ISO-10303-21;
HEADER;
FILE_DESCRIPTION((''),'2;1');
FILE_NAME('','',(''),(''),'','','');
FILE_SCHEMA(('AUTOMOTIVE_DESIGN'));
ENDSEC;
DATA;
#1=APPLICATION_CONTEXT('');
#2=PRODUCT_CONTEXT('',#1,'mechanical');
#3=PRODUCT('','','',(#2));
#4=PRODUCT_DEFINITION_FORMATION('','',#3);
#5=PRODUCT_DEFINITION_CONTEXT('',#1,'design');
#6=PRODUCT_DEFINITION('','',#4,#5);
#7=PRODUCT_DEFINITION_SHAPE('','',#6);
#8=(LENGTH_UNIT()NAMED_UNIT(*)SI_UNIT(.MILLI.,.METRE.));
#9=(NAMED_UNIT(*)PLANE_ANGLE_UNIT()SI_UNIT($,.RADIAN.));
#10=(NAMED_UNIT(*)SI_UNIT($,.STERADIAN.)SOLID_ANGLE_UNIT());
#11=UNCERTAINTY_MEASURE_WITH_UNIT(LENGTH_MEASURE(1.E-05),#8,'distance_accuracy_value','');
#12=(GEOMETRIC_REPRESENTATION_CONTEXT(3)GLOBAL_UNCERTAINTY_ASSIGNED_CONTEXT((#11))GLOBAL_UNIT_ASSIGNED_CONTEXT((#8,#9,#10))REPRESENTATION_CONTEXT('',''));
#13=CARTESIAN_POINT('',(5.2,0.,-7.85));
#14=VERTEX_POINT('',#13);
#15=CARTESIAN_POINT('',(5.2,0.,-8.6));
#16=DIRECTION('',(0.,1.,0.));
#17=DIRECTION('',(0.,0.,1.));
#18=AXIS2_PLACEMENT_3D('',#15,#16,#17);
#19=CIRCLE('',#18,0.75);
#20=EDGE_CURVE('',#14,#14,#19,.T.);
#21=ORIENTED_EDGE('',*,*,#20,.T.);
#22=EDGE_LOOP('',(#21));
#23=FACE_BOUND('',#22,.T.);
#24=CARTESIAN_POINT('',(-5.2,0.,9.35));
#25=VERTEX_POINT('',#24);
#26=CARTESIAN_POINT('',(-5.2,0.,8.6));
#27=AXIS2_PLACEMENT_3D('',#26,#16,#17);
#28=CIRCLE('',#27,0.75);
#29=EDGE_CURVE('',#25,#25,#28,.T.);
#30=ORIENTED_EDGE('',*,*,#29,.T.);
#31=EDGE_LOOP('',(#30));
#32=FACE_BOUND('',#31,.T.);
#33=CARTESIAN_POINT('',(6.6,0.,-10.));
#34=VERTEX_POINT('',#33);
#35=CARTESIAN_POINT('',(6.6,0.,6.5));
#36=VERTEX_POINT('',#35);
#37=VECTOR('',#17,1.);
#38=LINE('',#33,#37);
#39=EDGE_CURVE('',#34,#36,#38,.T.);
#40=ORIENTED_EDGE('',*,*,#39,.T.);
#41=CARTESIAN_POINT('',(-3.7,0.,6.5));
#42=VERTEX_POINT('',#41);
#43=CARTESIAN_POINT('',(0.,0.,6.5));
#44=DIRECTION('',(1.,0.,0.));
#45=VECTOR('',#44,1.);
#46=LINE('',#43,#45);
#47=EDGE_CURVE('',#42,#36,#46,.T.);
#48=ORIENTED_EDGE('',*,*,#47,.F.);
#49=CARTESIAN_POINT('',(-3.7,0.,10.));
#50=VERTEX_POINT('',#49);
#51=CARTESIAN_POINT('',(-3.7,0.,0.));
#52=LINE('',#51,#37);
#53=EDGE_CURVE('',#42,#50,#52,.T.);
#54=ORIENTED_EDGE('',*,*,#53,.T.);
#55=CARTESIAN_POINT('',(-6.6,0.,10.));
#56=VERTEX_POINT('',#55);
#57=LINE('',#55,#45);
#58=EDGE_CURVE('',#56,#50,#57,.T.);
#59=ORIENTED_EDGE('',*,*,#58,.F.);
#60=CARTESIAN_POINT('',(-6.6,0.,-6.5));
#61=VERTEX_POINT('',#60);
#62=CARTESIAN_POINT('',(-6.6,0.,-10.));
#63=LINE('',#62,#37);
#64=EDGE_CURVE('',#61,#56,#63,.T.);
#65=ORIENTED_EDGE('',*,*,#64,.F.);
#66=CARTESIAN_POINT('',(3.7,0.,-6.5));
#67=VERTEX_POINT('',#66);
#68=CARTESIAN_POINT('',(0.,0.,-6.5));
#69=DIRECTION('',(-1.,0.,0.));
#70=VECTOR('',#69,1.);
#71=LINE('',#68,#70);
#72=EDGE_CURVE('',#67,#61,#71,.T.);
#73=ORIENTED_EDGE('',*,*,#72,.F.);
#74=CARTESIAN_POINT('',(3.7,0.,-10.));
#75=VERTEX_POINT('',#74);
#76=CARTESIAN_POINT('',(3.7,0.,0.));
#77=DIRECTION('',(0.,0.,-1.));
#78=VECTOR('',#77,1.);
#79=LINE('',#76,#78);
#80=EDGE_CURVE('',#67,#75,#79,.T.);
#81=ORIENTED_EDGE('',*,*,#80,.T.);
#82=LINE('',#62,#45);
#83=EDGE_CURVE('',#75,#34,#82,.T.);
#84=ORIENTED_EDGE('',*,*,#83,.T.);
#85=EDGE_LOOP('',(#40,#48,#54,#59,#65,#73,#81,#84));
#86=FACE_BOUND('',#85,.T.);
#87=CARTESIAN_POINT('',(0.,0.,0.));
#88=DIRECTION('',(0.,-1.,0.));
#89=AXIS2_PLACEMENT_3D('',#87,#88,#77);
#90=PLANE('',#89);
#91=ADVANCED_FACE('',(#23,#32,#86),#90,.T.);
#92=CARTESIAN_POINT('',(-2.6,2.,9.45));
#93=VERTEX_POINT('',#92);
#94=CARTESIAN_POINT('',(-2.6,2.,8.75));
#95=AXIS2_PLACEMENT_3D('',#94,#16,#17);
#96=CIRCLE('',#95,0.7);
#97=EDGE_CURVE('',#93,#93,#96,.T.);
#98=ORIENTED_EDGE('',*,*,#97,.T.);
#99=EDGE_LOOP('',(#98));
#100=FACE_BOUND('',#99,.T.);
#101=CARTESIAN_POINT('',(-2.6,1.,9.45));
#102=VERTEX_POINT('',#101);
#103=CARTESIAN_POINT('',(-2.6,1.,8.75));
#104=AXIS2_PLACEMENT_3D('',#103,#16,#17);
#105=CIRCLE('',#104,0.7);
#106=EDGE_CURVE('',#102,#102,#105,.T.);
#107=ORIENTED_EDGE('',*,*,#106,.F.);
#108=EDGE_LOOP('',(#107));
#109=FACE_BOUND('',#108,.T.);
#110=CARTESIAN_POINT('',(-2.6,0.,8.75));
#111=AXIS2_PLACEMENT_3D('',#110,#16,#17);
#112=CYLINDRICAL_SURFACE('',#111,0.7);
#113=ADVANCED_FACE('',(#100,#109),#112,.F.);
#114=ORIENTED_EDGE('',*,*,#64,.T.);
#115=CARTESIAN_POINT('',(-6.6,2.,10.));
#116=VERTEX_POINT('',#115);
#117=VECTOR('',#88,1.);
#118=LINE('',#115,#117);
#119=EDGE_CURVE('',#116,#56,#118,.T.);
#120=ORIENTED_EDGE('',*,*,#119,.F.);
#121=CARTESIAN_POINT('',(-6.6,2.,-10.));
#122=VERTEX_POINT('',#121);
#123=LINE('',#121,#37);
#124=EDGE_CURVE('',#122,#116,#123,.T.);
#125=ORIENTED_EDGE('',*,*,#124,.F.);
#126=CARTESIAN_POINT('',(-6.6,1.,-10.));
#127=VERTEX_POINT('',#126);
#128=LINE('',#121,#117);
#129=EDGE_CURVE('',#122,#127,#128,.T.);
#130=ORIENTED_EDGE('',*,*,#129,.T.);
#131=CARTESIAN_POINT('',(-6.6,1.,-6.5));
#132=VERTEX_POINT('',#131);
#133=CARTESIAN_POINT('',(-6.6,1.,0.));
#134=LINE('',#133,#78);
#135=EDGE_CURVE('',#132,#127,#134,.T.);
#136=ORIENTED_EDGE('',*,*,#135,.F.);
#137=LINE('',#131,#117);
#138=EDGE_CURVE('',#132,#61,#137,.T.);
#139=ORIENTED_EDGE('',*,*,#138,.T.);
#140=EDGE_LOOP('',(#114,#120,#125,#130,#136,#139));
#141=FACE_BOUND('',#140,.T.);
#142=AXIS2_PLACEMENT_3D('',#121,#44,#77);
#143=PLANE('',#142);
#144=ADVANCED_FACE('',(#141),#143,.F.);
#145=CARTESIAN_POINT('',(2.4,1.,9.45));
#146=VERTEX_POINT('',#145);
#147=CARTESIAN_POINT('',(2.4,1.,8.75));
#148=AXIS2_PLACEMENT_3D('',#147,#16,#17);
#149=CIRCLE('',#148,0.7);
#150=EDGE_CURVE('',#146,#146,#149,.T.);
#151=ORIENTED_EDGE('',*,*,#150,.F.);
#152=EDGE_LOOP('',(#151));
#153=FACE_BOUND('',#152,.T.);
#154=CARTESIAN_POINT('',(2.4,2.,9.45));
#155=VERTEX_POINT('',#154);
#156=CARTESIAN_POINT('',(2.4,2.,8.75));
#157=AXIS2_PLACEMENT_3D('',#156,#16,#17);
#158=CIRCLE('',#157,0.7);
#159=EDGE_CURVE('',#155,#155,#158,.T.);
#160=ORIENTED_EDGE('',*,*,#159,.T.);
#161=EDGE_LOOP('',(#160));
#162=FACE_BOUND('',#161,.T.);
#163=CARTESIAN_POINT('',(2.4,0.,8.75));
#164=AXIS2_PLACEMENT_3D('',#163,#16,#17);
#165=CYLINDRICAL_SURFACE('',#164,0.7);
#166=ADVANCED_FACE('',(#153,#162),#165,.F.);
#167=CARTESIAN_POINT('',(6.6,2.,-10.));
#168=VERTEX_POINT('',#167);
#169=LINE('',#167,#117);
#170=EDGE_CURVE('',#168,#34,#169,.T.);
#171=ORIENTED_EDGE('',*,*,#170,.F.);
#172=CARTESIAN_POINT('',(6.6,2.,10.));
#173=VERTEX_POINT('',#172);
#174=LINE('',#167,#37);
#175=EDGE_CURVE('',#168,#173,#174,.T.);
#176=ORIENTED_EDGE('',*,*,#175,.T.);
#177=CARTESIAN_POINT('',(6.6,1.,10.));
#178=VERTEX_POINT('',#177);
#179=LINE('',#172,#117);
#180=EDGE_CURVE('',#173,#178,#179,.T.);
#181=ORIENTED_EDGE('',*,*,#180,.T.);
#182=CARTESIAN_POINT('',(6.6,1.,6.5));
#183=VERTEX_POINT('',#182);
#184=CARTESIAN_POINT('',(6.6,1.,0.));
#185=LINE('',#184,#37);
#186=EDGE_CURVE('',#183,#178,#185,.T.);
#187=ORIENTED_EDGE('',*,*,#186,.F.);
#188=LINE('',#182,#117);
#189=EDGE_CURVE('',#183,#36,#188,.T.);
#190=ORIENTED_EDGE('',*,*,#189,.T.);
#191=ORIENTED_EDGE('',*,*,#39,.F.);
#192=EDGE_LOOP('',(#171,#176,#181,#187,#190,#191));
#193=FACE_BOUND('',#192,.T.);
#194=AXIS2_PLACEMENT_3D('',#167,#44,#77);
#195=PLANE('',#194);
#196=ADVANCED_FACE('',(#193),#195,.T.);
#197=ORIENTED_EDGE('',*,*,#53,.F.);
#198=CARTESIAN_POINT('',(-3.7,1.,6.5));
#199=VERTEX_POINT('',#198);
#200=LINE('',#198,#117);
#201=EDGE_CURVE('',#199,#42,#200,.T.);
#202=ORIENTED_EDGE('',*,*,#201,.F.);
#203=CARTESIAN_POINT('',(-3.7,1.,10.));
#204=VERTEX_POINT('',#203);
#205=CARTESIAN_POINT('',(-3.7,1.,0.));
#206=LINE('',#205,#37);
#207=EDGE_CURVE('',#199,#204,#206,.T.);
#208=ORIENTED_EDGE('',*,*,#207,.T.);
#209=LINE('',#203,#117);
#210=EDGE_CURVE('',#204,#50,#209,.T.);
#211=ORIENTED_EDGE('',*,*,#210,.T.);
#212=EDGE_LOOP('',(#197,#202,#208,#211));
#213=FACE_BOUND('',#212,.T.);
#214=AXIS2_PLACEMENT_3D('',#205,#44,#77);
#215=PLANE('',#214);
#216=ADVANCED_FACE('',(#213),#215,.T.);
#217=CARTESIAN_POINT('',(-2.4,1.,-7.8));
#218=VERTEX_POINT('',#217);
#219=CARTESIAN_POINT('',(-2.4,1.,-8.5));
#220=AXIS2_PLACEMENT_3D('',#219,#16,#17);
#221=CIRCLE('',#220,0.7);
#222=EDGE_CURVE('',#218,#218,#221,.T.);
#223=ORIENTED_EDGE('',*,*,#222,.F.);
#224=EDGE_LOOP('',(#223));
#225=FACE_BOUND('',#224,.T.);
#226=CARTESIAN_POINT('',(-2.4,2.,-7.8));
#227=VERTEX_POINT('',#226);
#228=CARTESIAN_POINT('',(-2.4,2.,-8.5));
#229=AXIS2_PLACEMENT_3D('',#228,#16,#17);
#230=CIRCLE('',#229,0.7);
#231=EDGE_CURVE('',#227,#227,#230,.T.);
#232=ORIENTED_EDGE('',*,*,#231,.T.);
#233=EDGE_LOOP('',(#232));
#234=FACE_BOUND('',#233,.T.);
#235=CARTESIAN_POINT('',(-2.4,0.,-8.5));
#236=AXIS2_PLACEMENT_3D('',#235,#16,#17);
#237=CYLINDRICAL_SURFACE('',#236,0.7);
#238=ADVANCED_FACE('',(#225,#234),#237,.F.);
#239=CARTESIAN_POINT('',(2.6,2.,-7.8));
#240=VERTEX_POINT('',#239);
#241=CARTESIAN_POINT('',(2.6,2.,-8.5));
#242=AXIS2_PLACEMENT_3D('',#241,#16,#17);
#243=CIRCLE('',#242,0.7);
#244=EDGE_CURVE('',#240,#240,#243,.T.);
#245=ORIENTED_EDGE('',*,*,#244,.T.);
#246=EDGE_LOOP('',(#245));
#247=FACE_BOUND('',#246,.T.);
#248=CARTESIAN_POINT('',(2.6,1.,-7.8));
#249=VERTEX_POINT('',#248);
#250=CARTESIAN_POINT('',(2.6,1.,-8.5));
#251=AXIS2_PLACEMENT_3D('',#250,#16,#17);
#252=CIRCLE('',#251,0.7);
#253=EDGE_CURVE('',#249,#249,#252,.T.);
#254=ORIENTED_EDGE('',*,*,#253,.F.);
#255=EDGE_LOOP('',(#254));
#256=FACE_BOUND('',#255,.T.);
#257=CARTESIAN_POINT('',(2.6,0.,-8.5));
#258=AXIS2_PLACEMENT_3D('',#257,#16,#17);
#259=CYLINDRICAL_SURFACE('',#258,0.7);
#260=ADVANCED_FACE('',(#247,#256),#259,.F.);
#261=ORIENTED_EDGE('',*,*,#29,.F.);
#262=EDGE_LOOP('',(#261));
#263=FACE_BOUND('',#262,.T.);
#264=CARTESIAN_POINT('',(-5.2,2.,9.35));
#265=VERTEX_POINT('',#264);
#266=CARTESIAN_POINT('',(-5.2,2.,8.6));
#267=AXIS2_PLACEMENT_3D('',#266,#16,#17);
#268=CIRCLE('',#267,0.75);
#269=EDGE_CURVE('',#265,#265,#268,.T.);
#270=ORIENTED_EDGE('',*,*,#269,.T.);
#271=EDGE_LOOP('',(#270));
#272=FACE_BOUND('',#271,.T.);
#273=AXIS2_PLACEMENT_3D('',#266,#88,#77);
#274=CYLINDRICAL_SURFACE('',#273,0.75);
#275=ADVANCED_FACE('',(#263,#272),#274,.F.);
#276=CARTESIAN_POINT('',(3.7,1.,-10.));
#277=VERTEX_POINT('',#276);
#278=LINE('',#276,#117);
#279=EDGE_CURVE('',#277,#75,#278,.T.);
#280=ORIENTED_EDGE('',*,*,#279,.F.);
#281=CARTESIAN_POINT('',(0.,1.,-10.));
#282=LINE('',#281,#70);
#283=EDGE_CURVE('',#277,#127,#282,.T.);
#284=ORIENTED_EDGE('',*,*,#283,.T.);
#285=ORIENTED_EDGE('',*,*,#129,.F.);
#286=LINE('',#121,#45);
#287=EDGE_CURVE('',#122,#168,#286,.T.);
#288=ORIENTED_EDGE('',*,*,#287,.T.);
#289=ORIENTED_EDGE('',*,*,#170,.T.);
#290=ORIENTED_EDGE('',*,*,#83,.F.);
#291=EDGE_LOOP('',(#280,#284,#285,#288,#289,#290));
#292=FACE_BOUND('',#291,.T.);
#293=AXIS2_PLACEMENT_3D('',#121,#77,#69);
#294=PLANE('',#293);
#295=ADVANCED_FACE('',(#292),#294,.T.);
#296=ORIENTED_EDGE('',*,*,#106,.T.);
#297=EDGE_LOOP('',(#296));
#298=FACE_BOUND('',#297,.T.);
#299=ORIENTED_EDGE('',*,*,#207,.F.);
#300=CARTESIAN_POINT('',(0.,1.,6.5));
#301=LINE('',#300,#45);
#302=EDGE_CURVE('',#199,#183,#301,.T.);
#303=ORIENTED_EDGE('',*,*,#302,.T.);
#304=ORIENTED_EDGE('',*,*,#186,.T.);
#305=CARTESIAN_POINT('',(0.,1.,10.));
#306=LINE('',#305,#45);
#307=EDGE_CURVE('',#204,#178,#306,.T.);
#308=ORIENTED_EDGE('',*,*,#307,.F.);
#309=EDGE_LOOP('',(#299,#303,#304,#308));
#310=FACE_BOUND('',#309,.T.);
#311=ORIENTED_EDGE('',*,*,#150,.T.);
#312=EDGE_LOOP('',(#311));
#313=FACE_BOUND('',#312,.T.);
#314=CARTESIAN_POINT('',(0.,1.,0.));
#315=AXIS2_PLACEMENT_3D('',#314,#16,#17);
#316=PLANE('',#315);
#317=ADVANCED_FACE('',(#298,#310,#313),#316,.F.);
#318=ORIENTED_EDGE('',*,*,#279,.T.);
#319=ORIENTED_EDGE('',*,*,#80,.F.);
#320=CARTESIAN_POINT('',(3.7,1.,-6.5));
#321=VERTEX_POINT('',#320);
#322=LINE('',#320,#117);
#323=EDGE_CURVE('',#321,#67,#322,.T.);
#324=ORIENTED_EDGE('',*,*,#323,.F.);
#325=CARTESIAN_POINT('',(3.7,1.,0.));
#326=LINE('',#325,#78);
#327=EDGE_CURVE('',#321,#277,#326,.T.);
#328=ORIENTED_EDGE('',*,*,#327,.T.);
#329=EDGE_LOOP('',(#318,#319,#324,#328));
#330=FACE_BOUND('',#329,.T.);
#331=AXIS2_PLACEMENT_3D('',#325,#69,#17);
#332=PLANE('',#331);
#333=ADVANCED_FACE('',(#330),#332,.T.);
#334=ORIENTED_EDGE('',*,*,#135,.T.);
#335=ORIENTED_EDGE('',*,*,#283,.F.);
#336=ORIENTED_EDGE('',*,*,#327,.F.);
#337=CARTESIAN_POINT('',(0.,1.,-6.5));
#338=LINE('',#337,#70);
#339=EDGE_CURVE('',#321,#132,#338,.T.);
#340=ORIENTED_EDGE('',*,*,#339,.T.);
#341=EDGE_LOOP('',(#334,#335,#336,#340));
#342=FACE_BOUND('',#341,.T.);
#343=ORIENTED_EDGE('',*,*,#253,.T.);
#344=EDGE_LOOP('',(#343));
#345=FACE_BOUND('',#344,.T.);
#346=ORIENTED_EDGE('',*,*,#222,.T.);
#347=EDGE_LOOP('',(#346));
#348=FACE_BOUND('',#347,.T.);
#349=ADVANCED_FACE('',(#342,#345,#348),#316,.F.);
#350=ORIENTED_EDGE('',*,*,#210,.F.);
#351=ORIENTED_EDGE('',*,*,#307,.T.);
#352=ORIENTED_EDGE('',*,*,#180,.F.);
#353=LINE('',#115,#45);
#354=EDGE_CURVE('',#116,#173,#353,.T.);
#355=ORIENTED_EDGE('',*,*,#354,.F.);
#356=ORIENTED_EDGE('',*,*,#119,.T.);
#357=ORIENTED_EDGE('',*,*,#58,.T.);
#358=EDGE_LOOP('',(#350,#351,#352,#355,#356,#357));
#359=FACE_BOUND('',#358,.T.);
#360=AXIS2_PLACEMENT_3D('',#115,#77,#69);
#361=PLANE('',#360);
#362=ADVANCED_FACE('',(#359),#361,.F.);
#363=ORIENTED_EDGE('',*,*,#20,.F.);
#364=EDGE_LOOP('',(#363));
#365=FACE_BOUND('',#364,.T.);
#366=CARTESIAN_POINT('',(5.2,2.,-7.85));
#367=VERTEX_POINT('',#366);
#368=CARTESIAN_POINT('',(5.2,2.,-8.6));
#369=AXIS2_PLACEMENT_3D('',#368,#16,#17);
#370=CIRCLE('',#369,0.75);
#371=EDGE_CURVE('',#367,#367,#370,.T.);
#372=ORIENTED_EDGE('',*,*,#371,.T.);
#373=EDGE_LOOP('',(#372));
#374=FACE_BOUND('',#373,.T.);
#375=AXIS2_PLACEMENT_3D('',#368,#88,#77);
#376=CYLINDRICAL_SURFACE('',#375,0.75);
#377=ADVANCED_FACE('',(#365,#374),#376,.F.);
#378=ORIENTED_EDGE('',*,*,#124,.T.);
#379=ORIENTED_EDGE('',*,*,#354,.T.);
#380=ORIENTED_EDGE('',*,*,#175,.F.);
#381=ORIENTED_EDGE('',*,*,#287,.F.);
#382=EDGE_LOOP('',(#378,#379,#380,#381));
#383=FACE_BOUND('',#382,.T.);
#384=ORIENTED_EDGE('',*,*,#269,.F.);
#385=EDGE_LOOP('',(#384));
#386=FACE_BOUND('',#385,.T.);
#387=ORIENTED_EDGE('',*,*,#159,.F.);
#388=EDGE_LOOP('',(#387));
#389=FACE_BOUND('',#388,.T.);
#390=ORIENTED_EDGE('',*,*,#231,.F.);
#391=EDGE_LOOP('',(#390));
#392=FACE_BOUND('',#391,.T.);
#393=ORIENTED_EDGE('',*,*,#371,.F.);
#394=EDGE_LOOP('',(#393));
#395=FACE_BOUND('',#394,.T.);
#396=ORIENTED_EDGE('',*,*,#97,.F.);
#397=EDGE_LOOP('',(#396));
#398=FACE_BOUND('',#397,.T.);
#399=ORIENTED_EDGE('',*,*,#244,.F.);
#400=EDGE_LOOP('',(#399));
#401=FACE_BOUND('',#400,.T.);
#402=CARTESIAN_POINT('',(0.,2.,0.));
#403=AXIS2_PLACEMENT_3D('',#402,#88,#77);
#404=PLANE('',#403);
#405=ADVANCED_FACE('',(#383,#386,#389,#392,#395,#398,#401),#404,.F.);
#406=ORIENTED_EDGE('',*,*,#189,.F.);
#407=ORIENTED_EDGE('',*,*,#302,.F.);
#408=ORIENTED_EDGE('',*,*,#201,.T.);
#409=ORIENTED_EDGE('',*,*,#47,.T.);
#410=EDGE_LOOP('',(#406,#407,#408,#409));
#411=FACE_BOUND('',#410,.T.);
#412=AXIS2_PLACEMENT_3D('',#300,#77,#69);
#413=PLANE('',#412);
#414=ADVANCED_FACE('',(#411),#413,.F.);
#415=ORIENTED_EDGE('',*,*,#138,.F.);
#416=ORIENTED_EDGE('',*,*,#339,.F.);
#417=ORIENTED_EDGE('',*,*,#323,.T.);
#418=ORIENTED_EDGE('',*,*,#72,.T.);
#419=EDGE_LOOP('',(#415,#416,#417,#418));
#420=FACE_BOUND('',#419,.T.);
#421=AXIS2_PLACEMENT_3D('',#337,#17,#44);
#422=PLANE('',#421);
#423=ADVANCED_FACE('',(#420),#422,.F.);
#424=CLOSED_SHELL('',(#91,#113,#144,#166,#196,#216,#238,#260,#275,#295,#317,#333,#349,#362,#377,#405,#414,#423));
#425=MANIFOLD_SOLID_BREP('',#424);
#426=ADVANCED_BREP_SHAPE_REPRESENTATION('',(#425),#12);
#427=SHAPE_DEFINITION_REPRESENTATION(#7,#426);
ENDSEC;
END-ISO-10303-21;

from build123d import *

# Parameters (mm, degrees)
SKETCH_1_W          = 13.2
SKETCH_1_H          = 20
EXTRUDE_1_DEPTH     = 2
SKETCH_1_3_R        = 0.75
CUT_EXTRUDE_2_DEPTH = 13.147427711
CUT_EXTRUDE_START   = -2
SKETCH_2_W          = 10.3
SKETCH_2_H          = 3.5
CUT_EXTRUDE_1_DEPTH = 1
SKETCH_2_3_R        = 0.7
CUT_EXTRUDE_4_DEPTH = 13.147427711


with BuildPart() as part:
    # 草图1 → 凸台-拉伸1 (new body)
    with BuildSketch(Plane(origin=(0, 0, 0), x_dir=(1, 0, 0), z_dir=(0, 1, 0))):
        Rectangle(SKETCH_1_W, SKETCH_1_H)
    extrude(amount=EXTRUDE_1_DEPTH)

    # 草图1<3> → 切除-拉伸2 (cut, through all)
    with BuildSketch(Plane(origin=(0, 0, 0), x_dir=(1, 0, 0), z_dir=(0, 1, 0))):
        with Locations(Location((-5.2, -8.6, 0), (0, 0, 270))):
            Circle(SKETCH_1_3_R)
        with Locations(Location((5.2, 8.6, 0), (0, 0, 270))):
            Circle(SKETCH_1_3_R)
    extrude(amount=CUT_EXTRUDE_2_DEPTH, mode=Mode.SUBTRACT)

    # 草图2 → 切除-拉伸1 (cut)
    with BuildSketch(Plane(origin=(0, 2, 0), x_dir=(1, 0, 0), z_dir=(0, 1, 0)).offset(CUT_EXTRUDE_START)):
        with Locations((-1.45, 8.25)):
            Rectangle(SKETCH_2_W, SKETCH_2_H)
        with Locations((1.45, -8.25)):
            Rectangle(SKETCH_2_W, SKETCH_2_H)
    extrude(amount=CUT_EXTRUDE_1_DEPTH, mode=Mode.SUBTRACT)

    # 草图2<3> → 切除-拉伸4 (cut, through all)
    with BuildSketch(Plane(origin=(0, 2, 0), x_dir=(1, 0, 0), z_dir=(0, 1, 0))):
        with Locations(Location((-2.6, -8.75, 0), (0, 0, 270))):
            Circle(SKETCH_2_3_R)
        with Locations(Location((2.4, -8.75, 0), (0, 0, 270))):
            Circle(SKETCH_2_3_R)
        with Locations(Location((-2.4, 8.5, 0), (0, 0, 270))):
            Circle(SKETCH_2_3_R)
        with Locations(Location((2.6, 8.5, 0), (0, 0, 270))):
            Circle(SKETCH_2_3_R)
    extrude(amount=-CUT_EXTRUDE_4_DEPTH, mode=Mode.SUBTRACT)


solid = part.part
